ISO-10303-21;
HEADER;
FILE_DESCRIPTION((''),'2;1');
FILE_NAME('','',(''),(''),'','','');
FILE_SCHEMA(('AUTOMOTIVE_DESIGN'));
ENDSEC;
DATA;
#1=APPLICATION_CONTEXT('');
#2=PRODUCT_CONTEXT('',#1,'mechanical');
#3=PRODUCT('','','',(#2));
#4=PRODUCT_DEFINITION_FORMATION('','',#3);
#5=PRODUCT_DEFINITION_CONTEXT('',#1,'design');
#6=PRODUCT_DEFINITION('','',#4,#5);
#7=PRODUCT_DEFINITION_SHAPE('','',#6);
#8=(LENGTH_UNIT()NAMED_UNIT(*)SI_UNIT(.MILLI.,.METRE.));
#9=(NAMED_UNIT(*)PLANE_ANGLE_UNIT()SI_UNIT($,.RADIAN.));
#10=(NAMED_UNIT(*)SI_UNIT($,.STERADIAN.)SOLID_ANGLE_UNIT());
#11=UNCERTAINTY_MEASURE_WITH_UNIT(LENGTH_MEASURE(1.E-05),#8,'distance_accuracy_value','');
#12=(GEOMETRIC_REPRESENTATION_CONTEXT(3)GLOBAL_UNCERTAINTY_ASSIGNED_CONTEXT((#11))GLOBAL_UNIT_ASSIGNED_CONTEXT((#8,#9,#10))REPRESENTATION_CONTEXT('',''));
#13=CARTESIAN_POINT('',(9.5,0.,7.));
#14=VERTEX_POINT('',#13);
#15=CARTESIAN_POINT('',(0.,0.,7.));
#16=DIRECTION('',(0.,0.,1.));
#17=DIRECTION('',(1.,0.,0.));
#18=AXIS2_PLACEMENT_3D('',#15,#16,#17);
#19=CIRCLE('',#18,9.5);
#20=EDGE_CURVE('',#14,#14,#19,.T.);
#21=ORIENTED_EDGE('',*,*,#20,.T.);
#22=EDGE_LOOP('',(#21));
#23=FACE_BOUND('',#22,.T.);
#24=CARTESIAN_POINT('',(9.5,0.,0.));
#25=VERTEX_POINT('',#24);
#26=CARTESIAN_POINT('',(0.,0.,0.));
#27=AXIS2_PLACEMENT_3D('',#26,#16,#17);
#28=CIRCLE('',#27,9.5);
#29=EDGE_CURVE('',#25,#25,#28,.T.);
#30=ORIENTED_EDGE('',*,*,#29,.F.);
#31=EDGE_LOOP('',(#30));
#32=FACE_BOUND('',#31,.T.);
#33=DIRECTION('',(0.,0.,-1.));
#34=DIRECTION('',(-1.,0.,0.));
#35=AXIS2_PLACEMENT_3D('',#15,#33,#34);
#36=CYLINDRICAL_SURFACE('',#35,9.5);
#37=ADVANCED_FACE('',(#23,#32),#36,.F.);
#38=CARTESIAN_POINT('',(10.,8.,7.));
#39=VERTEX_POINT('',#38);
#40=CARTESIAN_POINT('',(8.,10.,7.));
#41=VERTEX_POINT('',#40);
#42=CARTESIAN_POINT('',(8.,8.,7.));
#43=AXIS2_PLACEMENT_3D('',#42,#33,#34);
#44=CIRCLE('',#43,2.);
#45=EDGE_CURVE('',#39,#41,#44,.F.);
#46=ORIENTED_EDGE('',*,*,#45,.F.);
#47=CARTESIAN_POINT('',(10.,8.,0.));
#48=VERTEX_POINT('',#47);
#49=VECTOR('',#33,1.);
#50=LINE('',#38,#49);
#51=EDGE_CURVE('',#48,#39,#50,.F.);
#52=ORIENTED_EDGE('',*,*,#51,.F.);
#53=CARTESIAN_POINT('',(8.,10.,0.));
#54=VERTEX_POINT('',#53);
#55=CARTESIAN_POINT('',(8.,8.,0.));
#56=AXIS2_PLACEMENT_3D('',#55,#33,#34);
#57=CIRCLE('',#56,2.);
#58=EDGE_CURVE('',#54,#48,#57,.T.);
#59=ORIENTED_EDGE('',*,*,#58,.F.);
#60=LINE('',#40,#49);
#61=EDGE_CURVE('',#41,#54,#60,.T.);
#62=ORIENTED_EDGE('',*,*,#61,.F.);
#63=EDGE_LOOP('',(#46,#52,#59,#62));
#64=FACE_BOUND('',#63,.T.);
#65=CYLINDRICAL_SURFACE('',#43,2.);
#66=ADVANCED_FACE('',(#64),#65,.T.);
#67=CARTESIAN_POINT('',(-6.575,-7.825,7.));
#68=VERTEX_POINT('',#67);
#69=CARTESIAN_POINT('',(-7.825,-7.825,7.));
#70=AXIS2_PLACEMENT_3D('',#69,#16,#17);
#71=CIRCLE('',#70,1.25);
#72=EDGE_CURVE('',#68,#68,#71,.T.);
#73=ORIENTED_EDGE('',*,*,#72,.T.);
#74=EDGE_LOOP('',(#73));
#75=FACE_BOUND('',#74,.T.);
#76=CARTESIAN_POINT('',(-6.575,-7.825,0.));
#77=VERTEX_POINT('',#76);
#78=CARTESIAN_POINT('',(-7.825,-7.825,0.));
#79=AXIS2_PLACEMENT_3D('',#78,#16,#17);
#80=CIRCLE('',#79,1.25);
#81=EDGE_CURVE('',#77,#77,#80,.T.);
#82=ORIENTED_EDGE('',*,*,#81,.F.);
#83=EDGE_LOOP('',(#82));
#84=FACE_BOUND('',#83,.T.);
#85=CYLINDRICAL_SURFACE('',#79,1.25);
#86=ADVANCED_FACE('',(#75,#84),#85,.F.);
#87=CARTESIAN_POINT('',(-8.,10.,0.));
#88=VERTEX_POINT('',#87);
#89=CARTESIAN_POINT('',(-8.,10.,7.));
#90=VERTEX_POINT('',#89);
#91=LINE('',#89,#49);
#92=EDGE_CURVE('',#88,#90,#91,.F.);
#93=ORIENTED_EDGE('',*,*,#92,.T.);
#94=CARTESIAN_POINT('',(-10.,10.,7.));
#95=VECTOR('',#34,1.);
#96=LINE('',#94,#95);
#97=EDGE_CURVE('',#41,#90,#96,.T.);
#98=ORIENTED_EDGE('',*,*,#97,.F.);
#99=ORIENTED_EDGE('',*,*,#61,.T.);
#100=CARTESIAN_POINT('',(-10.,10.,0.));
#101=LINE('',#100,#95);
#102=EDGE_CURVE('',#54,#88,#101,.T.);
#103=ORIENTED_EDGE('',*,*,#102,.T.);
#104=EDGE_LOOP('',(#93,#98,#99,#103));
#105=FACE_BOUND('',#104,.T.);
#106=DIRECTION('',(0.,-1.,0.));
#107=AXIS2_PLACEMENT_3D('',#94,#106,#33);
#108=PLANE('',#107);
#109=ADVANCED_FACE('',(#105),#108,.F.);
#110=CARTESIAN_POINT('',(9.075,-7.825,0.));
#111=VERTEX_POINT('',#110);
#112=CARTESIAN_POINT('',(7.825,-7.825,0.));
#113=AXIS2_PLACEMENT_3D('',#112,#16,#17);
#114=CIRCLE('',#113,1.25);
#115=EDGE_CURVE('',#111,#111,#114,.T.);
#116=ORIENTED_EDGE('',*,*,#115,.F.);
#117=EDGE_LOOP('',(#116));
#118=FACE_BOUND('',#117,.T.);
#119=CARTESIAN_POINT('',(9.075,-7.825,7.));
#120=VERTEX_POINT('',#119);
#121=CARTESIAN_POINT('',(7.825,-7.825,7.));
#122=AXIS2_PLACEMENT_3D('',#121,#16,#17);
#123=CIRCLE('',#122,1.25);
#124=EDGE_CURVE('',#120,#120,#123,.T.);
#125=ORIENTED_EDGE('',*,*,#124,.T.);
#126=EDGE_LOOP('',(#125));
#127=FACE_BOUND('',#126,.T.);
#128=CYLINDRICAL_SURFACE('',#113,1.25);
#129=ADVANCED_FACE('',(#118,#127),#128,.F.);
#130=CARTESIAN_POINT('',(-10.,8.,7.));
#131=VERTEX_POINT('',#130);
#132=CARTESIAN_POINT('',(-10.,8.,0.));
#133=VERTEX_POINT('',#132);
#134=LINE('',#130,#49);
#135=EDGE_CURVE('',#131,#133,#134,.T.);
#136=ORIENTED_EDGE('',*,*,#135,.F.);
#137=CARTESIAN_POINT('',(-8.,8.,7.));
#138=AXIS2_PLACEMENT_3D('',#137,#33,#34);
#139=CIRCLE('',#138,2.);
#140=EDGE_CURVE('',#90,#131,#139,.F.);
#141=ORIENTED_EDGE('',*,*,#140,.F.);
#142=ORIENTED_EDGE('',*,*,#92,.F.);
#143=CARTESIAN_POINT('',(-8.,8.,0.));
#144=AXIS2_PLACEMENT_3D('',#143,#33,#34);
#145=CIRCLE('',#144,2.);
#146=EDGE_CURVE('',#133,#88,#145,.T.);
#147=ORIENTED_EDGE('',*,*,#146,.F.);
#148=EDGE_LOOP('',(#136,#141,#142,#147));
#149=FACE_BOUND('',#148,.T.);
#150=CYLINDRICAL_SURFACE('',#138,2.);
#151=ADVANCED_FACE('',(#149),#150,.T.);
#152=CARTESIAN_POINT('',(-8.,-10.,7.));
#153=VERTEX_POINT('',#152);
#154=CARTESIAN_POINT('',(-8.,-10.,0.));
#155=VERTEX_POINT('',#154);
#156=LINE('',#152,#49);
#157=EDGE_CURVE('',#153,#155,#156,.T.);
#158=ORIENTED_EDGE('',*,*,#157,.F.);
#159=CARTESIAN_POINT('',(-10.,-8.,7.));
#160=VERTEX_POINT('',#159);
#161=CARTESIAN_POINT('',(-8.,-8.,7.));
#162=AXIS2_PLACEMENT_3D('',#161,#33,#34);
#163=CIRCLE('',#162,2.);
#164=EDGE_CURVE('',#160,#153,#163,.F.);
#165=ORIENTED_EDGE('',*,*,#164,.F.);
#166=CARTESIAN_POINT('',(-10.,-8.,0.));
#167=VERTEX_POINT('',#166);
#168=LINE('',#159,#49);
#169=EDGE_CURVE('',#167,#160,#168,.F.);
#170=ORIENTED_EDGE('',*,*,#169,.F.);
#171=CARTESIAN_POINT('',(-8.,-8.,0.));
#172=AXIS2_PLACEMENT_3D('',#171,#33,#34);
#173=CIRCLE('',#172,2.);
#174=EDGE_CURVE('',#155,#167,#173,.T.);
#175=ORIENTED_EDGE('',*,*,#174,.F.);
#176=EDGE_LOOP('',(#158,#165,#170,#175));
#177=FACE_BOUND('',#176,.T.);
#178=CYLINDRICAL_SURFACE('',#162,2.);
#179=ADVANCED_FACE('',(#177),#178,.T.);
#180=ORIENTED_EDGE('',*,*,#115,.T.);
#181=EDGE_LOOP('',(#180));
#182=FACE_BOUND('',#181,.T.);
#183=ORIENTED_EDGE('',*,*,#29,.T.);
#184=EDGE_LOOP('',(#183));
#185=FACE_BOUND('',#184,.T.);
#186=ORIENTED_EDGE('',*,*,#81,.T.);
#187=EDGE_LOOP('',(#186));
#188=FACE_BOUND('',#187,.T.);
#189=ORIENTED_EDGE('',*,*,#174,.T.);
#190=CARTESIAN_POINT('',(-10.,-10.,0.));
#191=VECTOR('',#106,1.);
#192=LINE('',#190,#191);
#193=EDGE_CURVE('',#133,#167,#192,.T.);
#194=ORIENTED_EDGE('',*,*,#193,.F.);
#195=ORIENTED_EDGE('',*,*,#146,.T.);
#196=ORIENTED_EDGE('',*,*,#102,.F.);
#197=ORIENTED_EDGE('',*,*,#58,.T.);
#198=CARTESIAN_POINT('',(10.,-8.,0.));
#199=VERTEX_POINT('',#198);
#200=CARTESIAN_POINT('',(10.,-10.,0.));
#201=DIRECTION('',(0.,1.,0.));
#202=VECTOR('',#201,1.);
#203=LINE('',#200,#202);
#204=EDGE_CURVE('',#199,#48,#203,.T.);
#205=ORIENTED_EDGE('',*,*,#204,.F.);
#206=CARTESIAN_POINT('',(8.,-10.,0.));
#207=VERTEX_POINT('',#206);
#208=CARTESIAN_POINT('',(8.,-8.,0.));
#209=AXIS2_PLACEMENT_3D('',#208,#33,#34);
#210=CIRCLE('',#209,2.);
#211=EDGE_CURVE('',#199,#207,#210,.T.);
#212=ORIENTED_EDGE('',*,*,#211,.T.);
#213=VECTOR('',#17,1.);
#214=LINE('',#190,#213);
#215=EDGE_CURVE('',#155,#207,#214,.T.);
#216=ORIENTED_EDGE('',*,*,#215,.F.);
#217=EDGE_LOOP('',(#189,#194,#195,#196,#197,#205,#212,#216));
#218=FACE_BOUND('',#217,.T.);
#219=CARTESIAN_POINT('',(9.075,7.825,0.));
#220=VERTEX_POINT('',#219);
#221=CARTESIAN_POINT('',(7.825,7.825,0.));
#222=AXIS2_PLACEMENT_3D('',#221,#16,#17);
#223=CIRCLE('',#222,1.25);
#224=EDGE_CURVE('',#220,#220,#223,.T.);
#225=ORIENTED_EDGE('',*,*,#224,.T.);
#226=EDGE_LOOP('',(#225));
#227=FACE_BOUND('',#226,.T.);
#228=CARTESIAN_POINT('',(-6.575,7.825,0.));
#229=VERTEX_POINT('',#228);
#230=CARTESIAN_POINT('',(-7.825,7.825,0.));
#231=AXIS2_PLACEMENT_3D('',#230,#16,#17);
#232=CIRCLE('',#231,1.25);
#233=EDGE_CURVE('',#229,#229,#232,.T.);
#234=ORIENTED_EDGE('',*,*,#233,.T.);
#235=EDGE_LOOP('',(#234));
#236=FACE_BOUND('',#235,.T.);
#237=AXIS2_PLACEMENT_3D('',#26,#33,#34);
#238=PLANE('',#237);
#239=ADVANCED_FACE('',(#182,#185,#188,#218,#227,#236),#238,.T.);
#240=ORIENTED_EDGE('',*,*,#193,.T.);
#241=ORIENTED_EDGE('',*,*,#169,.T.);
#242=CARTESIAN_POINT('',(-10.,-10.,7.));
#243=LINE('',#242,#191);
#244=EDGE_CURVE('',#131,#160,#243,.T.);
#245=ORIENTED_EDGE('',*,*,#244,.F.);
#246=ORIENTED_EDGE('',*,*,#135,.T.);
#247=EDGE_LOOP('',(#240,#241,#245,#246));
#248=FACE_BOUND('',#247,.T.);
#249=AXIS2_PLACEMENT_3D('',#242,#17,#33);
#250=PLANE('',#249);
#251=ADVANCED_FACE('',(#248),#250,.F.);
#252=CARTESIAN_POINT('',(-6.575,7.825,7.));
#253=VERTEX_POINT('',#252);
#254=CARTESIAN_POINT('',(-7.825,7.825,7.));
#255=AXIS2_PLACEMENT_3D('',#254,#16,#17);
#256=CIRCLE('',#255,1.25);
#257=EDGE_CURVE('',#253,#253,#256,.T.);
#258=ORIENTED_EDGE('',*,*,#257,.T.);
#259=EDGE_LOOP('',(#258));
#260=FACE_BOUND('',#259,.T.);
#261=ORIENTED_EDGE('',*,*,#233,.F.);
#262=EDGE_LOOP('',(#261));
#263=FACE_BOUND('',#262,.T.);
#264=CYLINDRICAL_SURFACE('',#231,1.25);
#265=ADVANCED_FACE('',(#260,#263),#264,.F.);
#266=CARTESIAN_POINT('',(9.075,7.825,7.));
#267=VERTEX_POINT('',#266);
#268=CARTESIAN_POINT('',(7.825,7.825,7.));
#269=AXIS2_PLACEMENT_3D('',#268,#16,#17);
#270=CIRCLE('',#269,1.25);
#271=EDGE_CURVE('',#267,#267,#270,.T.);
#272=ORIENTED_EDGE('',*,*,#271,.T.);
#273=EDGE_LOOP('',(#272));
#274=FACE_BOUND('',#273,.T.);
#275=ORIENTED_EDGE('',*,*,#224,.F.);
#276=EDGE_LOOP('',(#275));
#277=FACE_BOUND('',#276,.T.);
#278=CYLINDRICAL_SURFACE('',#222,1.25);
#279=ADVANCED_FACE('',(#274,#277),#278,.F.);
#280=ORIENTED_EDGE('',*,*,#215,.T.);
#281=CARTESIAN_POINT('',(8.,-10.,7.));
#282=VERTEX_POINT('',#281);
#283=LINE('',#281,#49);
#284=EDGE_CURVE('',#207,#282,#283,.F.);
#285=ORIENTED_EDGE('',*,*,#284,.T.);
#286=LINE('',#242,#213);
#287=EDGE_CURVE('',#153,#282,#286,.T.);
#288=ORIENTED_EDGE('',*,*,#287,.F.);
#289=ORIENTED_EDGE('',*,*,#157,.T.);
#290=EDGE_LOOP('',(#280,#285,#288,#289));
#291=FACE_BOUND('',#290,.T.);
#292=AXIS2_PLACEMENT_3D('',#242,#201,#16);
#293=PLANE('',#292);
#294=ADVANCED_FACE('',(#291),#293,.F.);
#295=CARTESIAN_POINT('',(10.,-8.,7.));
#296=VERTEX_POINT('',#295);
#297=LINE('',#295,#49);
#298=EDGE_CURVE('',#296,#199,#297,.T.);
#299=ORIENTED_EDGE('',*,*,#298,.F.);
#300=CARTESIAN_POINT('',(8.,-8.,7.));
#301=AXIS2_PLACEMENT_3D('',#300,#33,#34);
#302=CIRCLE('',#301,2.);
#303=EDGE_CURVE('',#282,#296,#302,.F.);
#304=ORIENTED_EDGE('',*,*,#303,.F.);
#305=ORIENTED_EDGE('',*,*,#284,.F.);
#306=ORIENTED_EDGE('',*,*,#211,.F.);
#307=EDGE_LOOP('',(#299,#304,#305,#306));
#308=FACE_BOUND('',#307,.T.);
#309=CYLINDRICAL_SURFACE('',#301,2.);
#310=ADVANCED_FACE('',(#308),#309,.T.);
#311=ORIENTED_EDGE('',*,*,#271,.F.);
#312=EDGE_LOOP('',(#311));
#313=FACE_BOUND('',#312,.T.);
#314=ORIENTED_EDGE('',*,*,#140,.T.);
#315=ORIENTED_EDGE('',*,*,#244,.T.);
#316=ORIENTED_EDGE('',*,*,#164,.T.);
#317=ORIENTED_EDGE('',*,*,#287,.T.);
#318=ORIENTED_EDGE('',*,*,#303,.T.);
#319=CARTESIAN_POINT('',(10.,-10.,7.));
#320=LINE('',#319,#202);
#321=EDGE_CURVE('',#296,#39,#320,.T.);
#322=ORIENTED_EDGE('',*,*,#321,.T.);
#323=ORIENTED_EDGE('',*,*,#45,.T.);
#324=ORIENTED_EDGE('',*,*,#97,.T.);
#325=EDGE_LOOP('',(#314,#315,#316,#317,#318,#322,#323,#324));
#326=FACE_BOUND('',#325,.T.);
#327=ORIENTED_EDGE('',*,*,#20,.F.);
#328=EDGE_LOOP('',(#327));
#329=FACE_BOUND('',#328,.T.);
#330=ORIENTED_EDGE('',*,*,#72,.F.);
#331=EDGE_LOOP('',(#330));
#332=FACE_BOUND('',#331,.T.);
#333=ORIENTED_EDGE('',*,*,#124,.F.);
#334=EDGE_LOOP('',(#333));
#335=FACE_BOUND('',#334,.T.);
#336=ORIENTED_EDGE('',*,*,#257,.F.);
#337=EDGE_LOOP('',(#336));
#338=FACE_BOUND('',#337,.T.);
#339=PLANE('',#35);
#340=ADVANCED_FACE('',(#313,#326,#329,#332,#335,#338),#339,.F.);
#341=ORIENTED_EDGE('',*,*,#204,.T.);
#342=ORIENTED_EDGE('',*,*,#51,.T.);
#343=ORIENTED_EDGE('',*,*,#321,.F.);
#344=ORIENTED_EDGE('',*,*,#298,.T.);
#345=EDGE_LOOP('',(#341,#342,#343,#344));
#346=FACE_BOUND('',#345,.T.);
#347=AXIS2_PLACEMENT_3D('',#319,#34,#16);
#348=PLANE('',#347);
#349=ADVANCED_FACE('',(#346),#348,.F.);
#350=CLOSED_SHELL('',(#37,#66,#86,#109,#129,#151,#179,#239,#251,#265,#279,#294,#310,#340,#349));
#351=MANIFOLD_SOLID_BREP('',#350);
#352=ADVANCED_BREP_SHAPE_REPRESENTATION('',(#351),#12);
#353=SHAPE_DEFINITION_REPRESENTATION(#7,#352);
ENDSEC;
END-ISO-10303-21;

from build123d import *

# Parameters (mm, degrees)
SKETCH1_W           = 20
SKETCH1_H           = 20
SKETCH1_R           = 9.5
BOSS_EXTRUDE1_DEPTH = 7
FILLET1_R           = 2
SKETCH2_R           = 1.25
CUT_EXTRUDE1_DEPTH  = 16.779733838


with BuildPart() as part:
    # Sketch1 → Boss-Extrude1 (new body)
    with BuildSketch(Plane.XY):
        Rectangle(SKETCH1_W, SKETCH1_H)
        Circle(SKETCH1_R, mode=Mode.SUBTRACT)
    extrude(amount=BOSS_EXTRUDE1_DEPTH)

    # Fillet1
    fillet1_edges = [part.edges().sort_by_distance(p)[0] for p in [
        (10, -10, 3.5),
        (-10, -10, 3.5),
        (-10, 10, 3.5),
        (10, 10, 3.5),
    ]]
    fillet(fillet1_edges, radius=FILLET1_R)

    # Sketch2 → Cut-Extrude1 (cut, through all)
    with BuildSketch(Plane.XY.offset(7)):
        with Locations((-7.825, 7.825)):
            Circle(SKETCH2_R)
        with Locations((7.825, 7.825)):
            Circle(SKETCH2_R)
        with Locations((7.825, -7.825)):
            Circle(SKETCH2_R)
        with Locations((-7.825, -7.825)):
            Circle(SKETCH2_R)
    extrude(amount=-CUT_EXTRUDE1_DEPTH, mode=Mode.SUBTRACT)


solid = part.part
